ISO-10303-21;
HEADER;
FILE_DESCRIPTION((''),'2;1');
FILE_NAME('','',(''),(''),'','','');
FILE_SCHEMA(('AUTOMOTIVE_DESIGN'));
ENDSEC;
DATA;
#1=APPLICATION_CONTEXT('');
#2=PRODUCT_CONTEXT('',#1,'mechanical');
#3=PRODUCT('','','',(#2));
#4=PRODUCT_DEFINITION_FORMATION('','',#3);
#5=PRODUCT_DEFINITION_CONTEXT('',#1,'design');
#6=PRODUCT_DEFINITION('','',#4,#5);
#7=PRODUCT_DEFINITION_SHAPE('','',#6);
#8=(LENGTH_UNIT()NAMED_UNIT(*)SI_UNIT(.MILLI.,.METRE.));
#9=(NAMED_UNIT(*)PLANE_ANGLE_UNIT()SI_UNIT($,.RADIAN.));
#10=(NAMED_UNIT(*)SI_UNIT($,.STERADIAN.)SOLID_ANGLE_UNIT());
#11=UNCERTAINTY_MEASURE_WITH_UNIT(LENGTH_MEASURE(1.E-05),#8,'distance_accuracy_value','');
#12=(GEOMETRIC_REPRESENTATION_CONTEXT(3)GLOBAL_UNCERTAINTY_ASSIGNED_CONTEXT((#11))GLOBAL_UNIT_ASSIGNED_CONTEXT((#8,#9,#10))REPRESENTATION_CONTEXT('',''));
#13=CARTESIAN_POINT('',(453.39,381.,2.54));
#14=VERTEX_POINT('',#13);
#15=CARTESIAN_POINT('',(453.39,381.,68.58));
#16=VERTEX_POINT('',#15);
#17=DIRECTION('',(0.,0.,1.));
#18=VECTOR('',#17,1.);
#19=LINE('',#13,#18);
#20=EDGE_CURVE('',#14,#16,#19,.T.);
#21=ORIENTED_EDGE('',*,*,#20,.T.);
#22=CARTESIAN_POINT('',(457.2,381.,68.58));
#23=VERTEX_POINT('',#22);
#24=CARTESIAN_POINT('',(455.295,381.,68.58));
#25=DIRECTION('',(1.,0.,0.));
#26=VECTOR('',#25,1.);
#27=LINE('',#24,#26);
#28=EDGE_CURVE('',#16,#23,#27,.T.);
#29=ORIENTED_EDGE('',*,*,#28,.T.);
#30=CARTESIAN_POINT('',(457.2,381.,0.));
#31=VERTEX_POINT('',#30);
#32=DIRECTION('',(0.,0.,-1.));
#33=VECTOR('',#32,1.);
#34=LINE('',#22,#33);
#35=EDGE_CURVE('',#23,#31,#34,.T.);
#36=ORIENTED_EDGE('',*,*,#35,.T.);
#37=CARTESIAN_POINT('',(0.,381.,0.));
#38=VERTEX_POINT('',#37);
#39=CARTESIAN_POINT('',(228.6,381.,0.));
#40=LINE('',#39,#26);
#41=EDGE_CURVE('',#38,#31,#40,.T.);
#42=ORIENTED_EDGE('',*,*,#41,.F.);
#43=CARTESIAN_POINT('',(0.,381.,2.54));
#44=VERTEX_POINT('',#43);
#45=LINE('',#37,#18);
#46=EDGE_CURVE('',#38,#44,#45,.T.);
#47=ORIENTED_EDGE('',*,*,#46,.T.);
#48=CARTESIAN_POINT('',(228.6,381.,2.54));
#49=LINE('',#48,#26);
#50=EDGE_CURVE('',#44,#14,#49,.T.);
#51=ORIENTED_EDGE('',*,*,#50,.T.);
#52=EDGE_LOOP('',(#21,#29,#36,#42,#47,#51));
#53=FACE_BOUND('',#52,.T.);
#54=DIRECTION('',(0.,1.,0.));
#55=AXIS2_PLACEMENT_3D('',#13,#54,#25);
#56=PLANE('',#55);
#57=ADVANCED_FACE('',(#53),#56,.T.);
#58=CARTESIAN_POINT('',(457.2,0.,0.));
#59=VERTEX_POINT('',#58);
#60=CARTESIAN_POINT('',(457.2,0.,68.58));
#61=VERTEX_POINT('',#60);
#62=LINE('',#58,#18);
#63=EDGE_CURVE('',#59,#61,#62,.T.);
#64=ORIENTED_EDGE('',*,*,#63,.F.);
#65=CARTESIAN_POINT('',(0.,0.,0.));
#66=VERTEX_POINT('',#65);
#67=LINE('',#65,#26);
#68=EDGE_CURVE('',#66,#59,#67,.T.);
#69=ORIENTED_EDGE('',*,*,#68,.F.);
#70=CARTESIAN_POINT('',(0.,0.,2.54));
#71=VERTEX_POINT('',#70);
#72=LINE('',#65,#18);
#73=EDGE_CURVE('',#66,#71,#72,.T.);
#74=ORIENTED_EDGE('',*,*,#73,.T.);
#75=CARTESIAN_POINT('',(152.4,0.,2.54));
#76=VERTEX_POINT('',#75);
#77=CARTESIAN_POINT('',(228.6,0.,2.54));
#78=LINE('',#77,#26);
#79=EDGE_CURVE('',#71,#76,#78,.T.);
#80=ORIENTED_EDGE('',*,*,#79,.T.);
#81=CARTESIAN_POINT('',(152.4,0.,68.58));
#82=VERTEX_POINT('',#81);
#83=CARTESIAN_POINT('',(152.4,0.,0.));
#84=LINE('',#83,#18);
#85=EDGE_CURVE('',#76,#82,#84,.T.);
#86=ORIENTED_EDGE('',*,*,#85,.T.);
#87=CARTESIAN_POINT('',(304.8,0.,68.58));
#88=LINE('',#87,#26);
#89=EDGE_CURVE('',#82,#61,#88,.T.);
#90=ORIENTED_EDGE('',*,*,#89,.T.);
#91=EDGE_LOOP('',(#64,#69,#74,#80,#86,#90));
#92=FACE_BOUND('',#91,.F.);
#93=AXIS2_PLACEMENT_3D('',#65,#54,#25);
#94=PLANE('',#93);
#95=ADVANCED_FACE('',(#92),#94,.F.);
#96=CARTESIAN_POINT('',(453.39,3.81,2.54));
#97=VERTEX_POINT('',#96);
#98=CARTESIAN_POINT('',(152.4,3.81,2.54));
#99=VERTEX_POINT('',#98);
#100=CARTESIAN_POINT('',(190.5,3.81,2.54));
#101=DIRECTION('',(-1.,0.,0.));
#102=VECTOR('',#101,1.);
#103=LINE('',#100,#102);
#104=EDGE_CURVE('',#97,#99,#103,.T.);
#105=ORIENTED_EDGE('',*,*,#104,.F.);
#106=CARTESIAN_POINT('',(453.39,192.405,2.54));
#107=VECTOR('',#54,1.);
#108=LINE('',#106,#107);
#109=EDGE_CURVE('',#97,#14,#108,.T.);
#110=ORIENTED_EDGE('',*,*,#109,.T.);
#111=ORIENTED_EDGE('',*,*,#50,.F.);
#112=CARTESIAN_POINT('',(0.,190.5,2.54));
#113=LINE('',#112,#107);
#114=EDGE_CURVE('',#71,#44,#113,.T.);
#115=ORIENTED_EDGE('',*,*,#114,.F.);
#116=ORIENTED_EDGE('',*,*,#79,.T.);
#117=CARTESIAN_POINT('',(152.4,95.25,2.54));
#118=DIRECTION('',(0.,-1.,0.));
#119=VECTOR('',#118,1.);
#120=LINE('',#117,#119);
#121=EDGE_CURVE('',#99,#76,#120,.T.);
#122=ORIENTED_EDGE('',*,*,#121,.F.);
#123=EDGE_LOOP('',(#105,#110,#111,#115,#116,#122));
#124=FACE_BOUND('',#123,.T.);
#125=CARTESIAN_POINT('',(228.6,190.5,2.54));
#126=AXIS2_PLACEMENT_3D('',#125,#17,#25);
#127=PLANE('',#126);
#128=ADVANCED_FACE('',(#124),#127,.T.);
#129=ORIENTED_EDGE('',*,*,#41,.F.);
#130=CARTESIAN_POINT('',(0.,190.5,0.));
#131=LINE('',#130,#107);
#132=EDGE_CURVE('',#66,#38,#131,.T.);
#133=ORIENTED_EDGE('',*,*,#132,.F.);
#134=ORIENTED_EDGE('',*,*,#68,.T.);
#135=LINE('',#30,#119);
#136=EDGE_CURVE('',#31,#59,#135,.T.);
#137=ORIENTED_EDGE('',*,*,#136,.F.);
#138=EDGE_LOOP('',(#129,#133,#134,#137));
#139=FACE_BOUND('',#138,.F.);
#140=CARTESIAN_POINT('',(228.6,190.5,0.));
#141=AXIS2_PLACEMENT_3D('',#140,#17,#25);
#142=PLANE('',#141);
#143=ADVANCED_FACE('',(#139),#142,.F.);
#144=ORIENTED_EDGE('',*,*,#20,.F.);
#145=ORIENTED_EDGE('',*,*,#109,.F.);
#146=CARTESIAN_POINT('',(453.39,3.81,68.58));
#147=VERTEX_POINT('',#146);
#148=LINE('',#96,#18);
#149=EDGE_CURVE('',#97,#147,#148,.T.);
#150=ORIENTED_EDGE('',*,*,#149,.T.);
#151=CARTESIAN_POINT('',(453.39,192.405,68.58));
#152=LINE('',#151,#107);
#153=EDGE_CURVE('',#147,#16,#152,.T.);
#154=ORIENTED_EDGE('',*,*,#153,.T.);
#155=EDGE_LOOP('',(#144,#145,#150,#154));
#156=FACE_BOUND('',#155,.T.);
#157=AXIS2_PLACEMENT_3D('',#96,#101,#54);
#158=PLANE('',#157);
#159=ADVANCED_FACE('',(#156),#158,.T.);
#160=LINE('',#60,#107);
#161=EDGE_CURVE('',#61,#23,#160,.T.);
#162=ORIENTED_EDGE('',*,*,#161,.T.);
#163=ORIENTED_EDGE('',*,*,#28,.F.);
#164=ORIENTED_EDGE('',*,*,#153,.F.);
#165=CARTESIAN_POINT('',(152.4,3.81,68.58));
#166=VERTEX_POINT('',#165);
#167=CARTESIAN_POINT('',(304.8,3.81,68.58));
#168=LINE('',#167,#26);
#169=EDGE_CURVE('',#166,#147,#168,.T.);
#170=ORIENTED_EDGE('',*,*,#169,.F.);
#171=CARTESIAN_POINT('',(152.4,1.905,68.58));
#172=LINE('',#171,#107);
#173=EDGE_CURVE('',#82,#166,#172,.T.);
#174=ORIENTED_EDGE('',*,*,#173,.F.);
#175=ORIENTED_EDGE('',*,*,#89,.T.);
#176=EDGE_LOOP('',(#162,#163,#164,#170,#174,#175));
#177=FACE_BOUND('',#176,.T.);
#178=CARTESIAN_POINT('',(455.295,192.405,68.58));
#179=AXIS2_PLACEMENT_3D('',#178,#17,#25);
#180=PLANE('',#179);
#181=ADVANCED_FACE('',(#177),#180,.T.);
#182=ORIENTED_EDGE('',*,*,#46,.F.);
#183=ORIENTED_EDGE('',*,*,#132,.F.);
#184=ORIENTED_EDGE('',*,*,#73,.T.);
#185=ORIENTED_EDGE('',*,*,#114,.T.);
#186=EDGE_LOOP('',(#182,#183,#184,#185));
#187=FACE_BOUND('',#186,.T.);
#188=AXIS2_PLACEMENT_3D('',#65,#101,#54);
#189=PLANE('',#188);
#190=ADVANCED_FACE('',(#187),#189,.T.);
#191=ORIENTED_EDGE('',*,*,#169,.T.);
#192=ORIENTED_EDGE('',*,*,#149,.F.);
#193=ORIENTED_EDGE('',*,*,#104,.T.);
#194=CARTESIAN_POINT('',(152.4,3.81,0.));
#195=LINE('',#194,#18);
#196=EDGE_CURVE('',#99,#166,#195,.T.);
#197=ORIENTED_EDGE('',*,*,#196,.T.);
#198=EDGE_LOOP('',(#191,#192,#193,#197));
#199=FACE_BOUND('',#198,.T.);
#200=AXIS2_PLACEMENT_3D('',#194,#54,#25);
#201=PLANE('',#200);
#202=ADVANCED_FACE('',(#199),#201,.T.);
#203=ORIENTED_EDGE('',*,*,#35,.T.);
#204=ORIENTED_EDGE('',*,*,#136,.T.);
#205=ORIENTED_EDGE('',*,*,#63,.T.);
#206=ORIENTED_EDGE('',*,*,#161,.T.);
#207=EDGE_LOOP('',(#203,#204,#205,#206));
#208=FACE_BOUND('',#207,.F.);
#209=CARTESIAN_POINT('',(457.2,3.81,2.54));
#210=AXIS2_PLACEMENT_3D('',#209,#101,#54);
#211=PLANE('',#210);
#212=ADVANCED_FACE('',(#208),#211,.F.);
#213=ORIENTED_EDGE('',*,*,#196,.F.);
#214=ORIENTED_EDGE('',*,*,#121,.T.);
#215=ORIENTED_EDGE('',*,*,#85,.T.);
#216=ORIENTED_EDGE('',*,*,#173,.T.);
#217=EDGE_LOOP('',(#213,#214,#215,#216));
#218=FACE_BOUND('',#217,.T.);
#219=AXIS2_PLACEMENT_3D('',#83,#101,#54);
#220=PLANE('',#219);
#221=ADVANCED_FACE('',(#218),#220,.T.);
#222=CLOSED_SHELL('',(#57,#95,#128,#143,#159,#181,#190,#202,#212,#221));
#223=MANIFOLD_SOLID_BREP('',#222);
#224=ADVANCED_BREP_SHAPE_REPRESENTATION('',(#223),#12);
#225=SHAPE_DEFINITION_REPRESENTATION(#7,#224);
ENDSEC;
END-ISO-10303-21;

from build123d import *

# Parameters (mm, degrees)
F0_W     = 457.2
F0_H     = 381
F1_DEPTH = 2.54
F2_W     = 304.8
F2_H     = 3.81
F3_DEPTH = 68.58
F4_W     = 3.81
F4_H     = 377.19
F5_DEPTH = 66.04


with BuildPart() as f1:
    # F0 (on Top) → F1 (new body)
    with BuildSketch(Plane.XY):
        with Locations((228.6, 190.5)):
            Rectangle(F0_W, F0_H)
    extrude(amount=F1_DEPTH)

    # F2 (on Top) → F3 (join)
    with BuildSketch(Plane.XY):
        with Locations((304.8, 1.905)):
            Rectangle(F2_W, F2_H)
    extrude(amount=F3_DEPTH)

    # F4 (on face) → F5 (join)
    with BuildSketch(Plane.XY.offset(2.54)):
        with Locations((455.295, 192.405)):
            Rectangle(F4_W, F4_H)
    extrude(amount=F5_DEPTH)


solid = f1.part
